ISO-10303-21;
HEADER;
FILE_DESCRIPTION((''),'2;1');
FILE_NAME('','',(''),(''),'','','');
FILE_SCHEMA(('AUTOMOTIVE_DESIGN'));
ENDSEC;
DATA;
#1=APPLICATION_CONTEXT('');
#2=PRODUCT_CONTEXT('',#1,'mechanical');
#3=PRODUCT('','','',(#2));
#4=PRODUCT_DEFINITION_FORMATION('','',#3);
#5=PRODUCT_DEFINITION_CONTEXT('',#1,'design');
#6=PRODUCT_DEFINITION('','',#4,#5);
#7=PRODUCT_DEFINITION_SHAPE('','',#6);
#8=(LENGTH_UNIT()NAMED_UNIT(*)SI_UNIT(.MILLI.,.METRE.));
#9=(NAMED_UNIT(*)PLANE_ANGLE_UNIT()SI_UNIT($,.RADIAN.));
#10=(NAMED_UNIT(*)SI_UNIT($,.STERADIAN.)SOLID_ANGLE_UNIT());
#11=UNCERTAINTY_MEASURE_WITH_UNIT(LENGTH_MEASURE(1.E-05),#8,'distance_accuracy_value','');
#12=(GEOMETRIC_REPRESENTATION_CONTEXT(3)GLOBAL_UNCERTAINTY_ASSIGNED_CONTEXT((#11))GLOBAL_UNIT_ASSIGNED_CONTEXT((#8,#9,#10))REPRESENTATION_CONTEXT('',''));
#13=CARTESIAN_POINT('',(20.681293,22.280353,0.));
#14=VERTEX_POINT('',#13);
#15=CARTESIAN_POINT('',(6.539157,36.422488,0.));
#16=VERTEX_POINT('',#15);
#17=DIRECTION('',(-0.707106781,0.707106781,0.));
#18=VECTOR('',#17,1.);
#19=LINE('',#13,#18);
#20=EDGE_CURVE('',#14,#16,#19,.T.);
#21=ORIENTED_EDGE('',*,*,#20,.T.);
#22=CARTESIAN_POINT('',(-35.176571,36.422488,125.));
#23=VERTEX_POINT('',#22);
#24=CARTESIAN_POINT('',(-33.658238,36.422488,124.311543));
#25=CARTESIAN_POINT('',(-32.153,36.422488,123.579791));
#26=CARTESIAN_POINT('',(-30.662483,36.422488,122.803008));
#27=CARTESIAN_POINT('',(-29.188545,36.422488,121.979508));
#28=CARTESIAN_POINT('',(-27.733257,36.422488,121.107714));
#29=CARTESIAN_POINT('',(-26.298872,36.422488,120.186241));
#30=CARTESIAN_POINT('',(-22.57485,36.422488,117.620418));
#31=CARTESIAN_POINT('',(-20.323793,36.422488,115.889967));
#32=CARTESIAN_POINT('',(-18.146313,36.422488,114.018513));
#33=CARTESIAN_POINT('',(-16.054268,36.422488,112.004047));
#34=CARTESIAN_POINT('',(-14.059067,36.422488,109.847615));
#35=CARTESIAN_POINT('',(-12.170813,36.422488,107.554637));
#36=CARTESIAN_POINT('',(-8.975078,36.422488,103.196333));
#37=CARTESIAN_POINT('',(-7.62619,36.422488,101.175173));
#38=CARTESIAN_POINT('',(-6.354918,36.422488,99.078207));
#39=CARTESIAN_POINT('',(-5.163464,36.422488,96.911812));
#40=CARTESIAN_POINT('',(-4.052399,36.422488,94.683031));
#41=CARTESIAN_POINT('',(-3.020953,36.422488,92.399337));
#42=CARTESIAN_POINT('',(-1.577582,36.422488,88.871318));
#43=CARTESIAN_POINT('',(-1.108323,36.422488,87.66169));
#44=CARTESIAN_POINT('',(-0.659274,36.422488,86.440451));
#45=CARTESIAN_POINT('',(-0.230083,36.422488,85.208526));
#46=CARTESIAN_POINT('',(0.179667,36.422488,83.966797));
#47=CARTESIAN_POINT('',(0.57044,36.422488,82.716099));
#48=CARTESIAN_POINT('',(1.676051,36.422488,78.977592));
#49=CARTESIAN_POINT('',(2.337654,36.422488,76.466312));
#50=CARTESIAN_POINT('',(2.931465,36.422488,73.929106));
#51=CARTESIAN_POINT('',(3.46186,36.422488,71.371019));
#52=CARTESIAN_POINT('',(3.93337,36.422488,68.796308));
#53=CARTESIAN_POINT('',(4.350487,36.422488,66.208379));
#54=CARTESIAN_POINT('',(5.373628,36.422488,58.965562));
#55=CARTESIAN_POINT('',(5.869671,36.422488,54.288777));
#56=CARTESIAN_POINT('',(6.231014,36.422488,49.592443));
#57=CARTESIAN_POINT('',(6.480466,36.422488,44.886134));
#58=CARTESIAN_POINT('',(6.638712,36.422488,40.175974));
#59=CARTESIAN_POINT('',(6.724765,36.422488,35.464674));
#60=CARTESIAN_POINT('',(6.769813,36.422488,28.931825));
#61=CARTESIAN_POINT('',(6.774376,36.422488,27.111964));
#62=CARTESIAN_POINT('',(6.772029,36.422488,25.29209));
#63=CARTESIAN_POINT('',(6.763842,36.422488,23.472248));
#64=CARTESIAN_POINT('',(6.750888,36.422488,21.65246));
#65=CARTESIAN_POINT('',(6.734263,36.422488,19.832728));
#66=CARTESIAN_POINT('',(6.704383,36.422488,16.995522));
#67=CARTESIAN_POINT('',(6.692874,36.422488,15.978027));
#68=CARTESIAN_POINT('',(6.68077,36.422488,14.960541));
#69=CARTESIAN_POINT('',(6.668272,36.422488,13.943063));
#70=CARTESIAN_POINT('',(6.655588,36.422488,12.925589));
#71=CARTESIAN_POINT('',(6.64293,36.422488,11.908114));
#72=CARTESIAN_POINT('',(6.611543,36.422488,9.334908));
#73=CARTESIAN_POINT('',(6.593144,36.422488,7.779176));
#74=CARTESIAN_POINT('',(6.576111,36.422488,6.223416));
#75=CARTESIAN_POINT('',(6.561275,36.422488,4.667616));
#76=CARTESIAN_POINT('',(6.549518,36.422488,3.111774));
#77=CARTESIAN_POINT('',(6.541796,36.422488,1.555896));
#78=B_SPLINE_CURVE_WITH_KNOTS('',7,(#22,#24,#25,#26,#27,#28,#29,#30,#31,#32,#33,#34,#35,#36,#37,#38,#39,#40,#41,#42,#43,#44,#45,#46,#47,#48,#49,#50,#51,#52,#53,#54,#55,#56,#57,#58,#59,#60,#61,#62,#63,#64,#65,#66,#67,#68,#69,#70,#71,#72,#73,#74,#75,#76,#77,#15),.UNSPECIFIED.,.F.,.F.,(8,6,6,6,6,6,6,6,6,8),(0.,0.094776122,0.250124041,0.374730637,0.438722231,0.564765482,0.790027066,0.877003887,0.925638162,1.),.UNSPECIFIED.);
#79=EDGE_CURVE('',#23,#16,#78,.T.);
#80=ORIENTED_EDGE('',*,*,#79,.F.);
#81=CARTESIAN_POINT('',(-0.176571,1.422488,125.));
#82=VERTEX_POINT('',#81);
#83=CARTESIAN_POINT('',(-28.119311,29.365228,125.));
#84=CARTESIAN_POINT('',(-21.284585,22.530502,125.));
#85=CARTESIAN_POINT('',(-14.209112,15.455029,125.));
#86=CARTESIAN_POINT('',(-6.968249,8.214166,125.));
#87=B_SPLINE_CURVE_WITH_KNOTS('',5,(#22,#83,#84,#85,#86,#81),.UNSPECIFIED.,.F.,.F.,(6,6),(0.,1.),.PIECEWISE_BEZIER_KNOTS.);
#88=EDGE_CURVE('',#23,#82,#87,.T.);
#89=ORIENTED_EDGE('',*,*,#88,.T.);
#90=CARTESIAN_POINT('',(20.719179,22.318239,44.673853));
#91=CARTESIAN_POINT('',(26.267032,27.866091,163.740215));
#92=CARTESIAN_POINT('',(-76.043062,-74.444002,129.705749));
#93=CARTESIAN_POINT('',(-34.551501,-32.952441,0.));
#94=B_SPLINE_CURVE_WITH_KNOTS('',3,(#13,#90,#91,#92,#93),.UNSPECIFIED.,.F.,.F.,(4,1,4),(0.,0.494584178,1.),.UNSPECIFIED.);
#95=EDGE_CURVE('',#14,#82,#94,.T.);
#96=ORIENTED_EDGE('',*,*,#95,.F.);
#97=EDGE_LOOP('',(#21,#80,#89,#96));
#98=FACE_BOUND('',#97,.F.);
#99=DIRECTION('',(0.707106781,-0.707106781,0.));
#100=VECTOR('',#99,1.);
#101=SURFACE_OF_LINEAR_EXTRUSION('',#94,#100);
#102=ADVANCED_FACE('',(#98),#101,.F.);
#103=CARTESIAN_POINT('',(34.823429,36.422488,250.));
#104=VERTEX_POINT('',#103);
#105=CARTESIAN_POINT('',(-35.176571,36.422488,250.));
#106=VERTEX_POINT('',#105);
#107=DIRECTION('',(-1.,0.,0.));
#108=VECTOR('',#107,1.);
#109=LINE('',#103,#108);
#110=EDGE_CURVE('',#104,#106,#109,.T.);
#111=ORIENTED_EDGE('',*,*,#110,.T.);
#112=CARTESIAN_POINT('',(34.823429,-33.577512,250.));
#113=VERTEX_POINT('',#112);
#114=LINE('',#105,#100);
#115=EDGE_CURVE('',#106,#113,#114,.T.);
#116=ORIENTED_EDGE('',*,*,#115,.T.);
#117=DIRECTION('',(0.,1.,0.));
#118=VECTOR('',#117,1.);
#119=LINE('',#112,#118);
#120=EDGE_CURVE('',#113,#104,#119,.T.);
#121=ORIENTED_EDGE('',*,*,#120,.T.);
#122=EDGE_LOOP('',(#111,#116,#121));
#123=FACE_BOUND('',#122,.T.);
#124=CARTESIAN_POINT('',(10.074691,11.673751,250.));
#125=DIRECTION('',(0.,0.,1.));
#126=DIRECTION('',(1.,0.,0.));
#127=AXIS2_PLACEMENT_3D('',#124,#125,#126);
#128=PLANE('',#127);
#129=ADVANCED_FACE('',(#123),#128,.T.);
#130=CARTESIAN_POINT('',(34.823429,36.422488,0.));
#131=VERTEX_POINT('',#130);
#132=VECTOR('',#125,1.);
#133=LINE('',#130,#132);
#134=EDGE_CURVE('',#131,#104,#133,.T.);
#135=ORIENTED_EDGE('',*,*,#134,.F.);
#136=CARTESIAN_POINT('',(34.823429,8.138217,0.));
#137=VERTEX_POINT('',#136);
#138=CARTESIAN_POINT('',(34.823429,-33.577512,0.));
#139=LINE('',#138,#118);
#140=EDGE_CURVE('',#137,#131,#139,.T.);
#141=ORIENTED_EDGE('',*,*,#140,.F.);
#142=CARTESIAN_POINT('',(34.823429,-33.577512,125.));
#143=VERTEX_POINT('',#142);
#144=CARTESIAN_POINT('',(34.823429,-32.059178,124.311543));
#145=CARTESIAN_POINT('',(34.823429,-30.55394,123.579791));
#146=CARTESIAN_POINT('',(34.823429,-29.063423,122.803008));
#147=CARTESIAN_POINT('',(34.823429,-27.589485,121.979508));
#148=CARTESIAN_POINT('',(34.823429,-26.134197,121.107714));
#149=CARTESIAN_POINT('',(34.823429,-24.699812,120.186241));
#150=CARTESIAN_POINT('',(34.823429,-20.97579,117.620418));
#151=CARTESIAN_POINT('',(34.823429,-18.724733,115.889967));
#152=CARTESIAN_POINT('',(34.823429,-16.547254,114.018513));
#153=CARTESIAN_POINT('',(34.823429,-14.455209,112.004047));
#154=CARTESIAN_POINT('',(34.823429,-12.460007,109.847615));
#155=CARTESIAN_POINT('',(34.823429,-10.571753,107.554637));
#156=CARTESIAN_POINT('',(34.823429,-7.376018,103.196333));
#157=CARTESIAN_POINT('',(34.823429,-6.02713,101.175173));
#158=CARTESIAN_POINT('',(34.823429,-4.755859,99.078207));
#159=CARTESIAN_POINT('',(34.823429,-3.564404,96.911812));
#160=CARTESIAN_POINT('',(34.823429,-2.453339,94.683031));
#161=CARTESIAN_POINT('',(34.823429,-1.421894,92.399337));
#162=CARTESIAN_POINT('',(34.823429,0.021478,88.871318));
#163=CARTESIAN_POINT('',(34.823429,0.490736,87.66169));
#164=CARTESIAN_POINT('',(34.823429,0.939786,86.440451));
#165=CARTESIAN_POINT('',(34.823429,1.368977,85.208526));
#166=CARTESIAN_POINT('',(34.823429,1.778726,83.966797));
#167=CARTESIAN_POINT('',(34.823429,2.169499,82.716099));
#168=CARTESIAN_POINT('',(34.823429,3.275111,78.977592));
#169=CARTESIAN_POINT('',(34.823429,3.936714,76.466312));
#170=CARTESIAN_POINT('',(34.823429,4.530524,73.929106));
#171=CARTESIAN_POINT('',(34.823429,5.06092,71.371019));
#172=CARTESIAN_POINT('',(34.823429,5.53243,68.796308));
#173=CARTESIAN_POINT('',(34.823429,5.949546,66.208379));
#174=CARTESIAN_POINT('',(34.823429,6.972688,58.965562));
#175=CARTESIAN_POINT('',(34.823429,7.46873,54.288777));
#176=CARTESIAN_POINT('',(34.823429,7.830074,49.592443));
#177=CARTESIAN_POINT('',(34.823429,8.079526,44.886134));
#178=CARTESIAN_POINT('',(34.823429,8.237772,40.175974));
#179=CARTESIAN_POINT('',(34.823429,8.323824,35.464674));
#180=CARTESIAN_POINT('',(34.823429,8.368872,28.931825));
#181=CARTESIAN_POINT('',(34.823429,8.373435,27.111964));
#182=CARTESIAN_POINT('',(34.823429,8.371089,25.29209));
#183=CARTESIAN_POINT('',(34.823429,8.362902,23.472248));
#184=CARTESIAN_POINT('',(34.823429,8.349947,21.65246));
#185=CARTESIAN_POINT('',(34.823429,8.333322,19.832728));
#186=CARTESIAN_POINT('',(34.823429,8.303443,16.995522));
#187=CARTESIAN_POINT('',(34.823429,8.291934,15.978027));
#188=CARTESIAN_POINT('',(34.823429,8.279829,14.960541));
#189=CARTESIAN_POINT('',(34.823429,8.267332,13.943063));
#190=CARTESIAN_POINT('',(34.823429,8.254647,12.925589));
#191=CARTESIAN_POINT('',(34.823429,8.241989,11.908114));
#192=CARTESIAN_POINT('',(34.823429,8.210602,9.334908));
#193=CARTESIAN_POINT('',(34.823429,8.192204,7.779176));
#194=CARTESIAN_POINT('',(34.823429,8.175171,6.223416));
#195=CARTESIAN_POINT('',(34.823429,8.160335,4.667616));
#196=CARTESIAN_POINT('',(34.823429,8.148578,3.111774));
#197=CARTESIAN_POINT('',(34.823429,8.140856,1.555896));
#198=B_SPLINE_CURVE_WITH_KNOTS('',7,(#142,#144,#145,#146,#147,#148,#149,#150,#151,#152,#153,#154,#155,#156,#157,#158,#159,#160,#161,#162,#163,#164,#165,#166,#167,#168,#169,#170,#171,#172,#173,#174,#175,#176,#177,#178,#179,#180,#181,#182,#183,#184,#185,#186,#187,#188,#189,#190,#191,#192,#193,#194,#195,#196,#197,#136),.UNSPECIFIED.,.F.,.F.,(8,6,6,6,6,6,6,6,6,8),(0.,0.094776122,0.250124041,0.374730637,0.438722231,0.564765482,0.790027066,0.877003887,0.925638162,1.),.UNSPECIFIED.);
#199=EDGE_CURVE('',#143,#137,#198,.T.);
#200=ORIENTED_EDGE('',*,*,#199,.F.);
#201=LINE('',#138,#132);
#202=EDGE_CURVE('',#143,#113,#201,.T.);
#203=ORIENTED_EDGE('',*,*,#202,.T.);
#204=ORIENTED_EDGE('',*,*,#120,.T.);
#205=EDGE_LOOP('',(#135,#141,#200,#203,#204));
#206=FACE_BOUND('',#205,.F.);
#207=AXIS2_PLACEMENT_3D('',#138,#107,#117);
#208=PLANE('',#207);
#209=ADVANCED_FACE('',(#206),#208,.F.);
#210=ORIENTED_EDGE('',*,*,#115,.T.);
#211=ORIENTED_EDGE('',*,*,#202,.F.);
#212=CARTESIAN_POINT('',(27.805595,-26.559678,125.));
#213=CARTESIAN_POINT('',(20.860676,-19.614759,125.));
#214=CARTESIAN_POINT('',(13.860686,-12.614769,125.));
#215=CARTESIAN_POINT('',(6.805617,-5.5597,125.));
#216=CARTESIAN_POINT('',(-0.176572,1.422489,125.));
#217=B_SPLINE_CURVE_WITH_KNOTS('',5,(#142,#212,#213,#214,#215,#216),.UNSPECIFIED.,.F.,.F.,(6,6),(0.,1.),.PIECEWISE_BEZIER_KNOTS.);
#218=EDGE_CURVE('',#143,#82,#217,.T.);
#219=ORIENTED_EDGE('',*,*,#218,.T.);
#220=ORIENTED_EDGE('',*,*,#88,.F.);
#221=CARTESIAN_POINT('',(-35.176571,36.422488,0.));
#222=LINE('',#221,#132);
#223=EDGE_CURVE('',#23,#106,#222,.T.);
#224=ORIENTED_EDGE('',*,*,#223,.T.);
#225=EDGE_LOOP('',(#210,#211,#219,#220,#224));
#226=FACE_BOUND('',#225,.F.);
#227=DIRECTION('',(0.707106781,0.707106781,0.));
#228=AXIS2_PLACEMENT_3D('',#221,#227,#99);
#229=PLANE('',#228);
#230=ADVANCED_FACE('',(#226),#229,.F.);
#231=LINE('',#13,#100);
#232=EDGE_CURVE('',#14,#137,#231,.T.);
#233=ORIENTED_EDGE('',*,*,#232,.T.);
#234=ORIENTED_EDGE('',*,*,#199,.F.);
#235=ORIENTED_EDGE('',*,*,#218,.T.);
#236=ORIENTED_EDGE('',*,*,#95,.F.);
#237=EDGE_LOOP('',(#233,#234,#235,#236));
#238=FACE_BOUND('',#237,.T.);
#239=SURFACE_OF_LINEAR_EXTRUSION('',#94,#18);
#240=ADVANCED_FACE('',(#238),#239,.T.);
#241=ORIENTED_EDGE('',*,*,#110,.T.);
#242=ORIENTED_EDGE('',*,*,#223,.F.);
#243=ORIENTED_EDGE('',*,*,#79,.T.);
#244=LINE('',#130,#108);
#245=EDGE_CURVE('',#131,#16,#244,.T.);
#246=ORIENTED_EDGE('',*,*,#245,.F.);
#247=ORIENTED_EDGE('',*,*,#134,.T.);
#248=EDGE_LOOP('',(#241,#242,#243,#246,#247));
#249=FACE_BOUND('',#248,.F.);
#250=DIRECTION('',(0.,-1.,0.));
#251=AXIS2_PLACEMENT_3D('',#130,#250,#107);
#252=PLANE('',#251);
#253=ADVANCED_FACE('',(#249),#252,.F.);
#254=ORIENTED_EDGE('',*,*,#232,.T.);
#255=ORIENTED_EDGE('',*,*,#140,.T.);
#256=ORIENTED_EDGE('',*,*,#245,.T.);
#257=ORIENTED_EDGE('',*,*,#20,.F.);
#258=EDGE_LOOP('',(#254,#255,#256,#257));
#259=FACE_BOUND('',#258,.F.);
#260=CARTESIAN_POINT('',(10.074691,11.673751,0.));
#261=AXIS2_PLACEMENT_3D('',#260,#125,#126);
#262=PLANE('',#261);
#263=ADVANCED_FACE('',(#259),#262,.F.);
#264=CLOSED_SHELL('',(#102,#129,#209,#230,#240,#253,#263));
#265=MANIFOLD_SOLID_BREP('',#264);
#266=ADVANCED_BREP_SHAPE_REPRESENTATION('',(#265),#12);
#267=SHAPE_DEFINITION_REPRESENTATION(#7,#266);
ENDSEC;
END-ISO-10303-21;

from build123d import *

# Parameters (mm, degrees)
F1_DEPTH      = 250
F5_DEPTH      = 49.4984746831
F5_DEPTH_BACK = 49.4984746831


with BuildPart() as f1:
    # F0 (on Top) → F1 (new body)
    with BuildSketch(Plane.XY):
        Polygon((34.8234286904, 36.4224883106), (-35.1765713096, 36.4224883106), (34.8234286904, -33.5775116894), align=None)
    extrude(amount=F1_DEPTH)

    # F4 (on 3pt) → F5 (cut, two sides)
    with BuildSketch(Plane(origin=(-0.7995298101, 0.7995298101, 0), x_dir=(-0.7071067812, -0.7071067812, 0), z_dir=(-0.7071067812, 0.7071067812, 0))) as f5_sk:
        with BuildLine():
            add(Edge.make_bspline(
                [(-30.3784710433, 0), (-30.4320504985, 44.6738531583), (-38.2778981301, 163.740215292), (106.4104230232, 129.7057490514), (47.7324947715, 0)],
                knots=[0, 0, 0, 0, 0.4945841784, 1, 1, 1, 1], degree=3))
            Line((-30.3784710433, 0), (47.7324947715, 0))
        make_face()
    extrude(amount=-F5_DEPTH, mode=Mode.SUBTRACT)
    extrude(f5_sk.sketch, amount=F5_DEPTH_BACK, mode=Mode.SUBTRACT)


solid = f1.part
